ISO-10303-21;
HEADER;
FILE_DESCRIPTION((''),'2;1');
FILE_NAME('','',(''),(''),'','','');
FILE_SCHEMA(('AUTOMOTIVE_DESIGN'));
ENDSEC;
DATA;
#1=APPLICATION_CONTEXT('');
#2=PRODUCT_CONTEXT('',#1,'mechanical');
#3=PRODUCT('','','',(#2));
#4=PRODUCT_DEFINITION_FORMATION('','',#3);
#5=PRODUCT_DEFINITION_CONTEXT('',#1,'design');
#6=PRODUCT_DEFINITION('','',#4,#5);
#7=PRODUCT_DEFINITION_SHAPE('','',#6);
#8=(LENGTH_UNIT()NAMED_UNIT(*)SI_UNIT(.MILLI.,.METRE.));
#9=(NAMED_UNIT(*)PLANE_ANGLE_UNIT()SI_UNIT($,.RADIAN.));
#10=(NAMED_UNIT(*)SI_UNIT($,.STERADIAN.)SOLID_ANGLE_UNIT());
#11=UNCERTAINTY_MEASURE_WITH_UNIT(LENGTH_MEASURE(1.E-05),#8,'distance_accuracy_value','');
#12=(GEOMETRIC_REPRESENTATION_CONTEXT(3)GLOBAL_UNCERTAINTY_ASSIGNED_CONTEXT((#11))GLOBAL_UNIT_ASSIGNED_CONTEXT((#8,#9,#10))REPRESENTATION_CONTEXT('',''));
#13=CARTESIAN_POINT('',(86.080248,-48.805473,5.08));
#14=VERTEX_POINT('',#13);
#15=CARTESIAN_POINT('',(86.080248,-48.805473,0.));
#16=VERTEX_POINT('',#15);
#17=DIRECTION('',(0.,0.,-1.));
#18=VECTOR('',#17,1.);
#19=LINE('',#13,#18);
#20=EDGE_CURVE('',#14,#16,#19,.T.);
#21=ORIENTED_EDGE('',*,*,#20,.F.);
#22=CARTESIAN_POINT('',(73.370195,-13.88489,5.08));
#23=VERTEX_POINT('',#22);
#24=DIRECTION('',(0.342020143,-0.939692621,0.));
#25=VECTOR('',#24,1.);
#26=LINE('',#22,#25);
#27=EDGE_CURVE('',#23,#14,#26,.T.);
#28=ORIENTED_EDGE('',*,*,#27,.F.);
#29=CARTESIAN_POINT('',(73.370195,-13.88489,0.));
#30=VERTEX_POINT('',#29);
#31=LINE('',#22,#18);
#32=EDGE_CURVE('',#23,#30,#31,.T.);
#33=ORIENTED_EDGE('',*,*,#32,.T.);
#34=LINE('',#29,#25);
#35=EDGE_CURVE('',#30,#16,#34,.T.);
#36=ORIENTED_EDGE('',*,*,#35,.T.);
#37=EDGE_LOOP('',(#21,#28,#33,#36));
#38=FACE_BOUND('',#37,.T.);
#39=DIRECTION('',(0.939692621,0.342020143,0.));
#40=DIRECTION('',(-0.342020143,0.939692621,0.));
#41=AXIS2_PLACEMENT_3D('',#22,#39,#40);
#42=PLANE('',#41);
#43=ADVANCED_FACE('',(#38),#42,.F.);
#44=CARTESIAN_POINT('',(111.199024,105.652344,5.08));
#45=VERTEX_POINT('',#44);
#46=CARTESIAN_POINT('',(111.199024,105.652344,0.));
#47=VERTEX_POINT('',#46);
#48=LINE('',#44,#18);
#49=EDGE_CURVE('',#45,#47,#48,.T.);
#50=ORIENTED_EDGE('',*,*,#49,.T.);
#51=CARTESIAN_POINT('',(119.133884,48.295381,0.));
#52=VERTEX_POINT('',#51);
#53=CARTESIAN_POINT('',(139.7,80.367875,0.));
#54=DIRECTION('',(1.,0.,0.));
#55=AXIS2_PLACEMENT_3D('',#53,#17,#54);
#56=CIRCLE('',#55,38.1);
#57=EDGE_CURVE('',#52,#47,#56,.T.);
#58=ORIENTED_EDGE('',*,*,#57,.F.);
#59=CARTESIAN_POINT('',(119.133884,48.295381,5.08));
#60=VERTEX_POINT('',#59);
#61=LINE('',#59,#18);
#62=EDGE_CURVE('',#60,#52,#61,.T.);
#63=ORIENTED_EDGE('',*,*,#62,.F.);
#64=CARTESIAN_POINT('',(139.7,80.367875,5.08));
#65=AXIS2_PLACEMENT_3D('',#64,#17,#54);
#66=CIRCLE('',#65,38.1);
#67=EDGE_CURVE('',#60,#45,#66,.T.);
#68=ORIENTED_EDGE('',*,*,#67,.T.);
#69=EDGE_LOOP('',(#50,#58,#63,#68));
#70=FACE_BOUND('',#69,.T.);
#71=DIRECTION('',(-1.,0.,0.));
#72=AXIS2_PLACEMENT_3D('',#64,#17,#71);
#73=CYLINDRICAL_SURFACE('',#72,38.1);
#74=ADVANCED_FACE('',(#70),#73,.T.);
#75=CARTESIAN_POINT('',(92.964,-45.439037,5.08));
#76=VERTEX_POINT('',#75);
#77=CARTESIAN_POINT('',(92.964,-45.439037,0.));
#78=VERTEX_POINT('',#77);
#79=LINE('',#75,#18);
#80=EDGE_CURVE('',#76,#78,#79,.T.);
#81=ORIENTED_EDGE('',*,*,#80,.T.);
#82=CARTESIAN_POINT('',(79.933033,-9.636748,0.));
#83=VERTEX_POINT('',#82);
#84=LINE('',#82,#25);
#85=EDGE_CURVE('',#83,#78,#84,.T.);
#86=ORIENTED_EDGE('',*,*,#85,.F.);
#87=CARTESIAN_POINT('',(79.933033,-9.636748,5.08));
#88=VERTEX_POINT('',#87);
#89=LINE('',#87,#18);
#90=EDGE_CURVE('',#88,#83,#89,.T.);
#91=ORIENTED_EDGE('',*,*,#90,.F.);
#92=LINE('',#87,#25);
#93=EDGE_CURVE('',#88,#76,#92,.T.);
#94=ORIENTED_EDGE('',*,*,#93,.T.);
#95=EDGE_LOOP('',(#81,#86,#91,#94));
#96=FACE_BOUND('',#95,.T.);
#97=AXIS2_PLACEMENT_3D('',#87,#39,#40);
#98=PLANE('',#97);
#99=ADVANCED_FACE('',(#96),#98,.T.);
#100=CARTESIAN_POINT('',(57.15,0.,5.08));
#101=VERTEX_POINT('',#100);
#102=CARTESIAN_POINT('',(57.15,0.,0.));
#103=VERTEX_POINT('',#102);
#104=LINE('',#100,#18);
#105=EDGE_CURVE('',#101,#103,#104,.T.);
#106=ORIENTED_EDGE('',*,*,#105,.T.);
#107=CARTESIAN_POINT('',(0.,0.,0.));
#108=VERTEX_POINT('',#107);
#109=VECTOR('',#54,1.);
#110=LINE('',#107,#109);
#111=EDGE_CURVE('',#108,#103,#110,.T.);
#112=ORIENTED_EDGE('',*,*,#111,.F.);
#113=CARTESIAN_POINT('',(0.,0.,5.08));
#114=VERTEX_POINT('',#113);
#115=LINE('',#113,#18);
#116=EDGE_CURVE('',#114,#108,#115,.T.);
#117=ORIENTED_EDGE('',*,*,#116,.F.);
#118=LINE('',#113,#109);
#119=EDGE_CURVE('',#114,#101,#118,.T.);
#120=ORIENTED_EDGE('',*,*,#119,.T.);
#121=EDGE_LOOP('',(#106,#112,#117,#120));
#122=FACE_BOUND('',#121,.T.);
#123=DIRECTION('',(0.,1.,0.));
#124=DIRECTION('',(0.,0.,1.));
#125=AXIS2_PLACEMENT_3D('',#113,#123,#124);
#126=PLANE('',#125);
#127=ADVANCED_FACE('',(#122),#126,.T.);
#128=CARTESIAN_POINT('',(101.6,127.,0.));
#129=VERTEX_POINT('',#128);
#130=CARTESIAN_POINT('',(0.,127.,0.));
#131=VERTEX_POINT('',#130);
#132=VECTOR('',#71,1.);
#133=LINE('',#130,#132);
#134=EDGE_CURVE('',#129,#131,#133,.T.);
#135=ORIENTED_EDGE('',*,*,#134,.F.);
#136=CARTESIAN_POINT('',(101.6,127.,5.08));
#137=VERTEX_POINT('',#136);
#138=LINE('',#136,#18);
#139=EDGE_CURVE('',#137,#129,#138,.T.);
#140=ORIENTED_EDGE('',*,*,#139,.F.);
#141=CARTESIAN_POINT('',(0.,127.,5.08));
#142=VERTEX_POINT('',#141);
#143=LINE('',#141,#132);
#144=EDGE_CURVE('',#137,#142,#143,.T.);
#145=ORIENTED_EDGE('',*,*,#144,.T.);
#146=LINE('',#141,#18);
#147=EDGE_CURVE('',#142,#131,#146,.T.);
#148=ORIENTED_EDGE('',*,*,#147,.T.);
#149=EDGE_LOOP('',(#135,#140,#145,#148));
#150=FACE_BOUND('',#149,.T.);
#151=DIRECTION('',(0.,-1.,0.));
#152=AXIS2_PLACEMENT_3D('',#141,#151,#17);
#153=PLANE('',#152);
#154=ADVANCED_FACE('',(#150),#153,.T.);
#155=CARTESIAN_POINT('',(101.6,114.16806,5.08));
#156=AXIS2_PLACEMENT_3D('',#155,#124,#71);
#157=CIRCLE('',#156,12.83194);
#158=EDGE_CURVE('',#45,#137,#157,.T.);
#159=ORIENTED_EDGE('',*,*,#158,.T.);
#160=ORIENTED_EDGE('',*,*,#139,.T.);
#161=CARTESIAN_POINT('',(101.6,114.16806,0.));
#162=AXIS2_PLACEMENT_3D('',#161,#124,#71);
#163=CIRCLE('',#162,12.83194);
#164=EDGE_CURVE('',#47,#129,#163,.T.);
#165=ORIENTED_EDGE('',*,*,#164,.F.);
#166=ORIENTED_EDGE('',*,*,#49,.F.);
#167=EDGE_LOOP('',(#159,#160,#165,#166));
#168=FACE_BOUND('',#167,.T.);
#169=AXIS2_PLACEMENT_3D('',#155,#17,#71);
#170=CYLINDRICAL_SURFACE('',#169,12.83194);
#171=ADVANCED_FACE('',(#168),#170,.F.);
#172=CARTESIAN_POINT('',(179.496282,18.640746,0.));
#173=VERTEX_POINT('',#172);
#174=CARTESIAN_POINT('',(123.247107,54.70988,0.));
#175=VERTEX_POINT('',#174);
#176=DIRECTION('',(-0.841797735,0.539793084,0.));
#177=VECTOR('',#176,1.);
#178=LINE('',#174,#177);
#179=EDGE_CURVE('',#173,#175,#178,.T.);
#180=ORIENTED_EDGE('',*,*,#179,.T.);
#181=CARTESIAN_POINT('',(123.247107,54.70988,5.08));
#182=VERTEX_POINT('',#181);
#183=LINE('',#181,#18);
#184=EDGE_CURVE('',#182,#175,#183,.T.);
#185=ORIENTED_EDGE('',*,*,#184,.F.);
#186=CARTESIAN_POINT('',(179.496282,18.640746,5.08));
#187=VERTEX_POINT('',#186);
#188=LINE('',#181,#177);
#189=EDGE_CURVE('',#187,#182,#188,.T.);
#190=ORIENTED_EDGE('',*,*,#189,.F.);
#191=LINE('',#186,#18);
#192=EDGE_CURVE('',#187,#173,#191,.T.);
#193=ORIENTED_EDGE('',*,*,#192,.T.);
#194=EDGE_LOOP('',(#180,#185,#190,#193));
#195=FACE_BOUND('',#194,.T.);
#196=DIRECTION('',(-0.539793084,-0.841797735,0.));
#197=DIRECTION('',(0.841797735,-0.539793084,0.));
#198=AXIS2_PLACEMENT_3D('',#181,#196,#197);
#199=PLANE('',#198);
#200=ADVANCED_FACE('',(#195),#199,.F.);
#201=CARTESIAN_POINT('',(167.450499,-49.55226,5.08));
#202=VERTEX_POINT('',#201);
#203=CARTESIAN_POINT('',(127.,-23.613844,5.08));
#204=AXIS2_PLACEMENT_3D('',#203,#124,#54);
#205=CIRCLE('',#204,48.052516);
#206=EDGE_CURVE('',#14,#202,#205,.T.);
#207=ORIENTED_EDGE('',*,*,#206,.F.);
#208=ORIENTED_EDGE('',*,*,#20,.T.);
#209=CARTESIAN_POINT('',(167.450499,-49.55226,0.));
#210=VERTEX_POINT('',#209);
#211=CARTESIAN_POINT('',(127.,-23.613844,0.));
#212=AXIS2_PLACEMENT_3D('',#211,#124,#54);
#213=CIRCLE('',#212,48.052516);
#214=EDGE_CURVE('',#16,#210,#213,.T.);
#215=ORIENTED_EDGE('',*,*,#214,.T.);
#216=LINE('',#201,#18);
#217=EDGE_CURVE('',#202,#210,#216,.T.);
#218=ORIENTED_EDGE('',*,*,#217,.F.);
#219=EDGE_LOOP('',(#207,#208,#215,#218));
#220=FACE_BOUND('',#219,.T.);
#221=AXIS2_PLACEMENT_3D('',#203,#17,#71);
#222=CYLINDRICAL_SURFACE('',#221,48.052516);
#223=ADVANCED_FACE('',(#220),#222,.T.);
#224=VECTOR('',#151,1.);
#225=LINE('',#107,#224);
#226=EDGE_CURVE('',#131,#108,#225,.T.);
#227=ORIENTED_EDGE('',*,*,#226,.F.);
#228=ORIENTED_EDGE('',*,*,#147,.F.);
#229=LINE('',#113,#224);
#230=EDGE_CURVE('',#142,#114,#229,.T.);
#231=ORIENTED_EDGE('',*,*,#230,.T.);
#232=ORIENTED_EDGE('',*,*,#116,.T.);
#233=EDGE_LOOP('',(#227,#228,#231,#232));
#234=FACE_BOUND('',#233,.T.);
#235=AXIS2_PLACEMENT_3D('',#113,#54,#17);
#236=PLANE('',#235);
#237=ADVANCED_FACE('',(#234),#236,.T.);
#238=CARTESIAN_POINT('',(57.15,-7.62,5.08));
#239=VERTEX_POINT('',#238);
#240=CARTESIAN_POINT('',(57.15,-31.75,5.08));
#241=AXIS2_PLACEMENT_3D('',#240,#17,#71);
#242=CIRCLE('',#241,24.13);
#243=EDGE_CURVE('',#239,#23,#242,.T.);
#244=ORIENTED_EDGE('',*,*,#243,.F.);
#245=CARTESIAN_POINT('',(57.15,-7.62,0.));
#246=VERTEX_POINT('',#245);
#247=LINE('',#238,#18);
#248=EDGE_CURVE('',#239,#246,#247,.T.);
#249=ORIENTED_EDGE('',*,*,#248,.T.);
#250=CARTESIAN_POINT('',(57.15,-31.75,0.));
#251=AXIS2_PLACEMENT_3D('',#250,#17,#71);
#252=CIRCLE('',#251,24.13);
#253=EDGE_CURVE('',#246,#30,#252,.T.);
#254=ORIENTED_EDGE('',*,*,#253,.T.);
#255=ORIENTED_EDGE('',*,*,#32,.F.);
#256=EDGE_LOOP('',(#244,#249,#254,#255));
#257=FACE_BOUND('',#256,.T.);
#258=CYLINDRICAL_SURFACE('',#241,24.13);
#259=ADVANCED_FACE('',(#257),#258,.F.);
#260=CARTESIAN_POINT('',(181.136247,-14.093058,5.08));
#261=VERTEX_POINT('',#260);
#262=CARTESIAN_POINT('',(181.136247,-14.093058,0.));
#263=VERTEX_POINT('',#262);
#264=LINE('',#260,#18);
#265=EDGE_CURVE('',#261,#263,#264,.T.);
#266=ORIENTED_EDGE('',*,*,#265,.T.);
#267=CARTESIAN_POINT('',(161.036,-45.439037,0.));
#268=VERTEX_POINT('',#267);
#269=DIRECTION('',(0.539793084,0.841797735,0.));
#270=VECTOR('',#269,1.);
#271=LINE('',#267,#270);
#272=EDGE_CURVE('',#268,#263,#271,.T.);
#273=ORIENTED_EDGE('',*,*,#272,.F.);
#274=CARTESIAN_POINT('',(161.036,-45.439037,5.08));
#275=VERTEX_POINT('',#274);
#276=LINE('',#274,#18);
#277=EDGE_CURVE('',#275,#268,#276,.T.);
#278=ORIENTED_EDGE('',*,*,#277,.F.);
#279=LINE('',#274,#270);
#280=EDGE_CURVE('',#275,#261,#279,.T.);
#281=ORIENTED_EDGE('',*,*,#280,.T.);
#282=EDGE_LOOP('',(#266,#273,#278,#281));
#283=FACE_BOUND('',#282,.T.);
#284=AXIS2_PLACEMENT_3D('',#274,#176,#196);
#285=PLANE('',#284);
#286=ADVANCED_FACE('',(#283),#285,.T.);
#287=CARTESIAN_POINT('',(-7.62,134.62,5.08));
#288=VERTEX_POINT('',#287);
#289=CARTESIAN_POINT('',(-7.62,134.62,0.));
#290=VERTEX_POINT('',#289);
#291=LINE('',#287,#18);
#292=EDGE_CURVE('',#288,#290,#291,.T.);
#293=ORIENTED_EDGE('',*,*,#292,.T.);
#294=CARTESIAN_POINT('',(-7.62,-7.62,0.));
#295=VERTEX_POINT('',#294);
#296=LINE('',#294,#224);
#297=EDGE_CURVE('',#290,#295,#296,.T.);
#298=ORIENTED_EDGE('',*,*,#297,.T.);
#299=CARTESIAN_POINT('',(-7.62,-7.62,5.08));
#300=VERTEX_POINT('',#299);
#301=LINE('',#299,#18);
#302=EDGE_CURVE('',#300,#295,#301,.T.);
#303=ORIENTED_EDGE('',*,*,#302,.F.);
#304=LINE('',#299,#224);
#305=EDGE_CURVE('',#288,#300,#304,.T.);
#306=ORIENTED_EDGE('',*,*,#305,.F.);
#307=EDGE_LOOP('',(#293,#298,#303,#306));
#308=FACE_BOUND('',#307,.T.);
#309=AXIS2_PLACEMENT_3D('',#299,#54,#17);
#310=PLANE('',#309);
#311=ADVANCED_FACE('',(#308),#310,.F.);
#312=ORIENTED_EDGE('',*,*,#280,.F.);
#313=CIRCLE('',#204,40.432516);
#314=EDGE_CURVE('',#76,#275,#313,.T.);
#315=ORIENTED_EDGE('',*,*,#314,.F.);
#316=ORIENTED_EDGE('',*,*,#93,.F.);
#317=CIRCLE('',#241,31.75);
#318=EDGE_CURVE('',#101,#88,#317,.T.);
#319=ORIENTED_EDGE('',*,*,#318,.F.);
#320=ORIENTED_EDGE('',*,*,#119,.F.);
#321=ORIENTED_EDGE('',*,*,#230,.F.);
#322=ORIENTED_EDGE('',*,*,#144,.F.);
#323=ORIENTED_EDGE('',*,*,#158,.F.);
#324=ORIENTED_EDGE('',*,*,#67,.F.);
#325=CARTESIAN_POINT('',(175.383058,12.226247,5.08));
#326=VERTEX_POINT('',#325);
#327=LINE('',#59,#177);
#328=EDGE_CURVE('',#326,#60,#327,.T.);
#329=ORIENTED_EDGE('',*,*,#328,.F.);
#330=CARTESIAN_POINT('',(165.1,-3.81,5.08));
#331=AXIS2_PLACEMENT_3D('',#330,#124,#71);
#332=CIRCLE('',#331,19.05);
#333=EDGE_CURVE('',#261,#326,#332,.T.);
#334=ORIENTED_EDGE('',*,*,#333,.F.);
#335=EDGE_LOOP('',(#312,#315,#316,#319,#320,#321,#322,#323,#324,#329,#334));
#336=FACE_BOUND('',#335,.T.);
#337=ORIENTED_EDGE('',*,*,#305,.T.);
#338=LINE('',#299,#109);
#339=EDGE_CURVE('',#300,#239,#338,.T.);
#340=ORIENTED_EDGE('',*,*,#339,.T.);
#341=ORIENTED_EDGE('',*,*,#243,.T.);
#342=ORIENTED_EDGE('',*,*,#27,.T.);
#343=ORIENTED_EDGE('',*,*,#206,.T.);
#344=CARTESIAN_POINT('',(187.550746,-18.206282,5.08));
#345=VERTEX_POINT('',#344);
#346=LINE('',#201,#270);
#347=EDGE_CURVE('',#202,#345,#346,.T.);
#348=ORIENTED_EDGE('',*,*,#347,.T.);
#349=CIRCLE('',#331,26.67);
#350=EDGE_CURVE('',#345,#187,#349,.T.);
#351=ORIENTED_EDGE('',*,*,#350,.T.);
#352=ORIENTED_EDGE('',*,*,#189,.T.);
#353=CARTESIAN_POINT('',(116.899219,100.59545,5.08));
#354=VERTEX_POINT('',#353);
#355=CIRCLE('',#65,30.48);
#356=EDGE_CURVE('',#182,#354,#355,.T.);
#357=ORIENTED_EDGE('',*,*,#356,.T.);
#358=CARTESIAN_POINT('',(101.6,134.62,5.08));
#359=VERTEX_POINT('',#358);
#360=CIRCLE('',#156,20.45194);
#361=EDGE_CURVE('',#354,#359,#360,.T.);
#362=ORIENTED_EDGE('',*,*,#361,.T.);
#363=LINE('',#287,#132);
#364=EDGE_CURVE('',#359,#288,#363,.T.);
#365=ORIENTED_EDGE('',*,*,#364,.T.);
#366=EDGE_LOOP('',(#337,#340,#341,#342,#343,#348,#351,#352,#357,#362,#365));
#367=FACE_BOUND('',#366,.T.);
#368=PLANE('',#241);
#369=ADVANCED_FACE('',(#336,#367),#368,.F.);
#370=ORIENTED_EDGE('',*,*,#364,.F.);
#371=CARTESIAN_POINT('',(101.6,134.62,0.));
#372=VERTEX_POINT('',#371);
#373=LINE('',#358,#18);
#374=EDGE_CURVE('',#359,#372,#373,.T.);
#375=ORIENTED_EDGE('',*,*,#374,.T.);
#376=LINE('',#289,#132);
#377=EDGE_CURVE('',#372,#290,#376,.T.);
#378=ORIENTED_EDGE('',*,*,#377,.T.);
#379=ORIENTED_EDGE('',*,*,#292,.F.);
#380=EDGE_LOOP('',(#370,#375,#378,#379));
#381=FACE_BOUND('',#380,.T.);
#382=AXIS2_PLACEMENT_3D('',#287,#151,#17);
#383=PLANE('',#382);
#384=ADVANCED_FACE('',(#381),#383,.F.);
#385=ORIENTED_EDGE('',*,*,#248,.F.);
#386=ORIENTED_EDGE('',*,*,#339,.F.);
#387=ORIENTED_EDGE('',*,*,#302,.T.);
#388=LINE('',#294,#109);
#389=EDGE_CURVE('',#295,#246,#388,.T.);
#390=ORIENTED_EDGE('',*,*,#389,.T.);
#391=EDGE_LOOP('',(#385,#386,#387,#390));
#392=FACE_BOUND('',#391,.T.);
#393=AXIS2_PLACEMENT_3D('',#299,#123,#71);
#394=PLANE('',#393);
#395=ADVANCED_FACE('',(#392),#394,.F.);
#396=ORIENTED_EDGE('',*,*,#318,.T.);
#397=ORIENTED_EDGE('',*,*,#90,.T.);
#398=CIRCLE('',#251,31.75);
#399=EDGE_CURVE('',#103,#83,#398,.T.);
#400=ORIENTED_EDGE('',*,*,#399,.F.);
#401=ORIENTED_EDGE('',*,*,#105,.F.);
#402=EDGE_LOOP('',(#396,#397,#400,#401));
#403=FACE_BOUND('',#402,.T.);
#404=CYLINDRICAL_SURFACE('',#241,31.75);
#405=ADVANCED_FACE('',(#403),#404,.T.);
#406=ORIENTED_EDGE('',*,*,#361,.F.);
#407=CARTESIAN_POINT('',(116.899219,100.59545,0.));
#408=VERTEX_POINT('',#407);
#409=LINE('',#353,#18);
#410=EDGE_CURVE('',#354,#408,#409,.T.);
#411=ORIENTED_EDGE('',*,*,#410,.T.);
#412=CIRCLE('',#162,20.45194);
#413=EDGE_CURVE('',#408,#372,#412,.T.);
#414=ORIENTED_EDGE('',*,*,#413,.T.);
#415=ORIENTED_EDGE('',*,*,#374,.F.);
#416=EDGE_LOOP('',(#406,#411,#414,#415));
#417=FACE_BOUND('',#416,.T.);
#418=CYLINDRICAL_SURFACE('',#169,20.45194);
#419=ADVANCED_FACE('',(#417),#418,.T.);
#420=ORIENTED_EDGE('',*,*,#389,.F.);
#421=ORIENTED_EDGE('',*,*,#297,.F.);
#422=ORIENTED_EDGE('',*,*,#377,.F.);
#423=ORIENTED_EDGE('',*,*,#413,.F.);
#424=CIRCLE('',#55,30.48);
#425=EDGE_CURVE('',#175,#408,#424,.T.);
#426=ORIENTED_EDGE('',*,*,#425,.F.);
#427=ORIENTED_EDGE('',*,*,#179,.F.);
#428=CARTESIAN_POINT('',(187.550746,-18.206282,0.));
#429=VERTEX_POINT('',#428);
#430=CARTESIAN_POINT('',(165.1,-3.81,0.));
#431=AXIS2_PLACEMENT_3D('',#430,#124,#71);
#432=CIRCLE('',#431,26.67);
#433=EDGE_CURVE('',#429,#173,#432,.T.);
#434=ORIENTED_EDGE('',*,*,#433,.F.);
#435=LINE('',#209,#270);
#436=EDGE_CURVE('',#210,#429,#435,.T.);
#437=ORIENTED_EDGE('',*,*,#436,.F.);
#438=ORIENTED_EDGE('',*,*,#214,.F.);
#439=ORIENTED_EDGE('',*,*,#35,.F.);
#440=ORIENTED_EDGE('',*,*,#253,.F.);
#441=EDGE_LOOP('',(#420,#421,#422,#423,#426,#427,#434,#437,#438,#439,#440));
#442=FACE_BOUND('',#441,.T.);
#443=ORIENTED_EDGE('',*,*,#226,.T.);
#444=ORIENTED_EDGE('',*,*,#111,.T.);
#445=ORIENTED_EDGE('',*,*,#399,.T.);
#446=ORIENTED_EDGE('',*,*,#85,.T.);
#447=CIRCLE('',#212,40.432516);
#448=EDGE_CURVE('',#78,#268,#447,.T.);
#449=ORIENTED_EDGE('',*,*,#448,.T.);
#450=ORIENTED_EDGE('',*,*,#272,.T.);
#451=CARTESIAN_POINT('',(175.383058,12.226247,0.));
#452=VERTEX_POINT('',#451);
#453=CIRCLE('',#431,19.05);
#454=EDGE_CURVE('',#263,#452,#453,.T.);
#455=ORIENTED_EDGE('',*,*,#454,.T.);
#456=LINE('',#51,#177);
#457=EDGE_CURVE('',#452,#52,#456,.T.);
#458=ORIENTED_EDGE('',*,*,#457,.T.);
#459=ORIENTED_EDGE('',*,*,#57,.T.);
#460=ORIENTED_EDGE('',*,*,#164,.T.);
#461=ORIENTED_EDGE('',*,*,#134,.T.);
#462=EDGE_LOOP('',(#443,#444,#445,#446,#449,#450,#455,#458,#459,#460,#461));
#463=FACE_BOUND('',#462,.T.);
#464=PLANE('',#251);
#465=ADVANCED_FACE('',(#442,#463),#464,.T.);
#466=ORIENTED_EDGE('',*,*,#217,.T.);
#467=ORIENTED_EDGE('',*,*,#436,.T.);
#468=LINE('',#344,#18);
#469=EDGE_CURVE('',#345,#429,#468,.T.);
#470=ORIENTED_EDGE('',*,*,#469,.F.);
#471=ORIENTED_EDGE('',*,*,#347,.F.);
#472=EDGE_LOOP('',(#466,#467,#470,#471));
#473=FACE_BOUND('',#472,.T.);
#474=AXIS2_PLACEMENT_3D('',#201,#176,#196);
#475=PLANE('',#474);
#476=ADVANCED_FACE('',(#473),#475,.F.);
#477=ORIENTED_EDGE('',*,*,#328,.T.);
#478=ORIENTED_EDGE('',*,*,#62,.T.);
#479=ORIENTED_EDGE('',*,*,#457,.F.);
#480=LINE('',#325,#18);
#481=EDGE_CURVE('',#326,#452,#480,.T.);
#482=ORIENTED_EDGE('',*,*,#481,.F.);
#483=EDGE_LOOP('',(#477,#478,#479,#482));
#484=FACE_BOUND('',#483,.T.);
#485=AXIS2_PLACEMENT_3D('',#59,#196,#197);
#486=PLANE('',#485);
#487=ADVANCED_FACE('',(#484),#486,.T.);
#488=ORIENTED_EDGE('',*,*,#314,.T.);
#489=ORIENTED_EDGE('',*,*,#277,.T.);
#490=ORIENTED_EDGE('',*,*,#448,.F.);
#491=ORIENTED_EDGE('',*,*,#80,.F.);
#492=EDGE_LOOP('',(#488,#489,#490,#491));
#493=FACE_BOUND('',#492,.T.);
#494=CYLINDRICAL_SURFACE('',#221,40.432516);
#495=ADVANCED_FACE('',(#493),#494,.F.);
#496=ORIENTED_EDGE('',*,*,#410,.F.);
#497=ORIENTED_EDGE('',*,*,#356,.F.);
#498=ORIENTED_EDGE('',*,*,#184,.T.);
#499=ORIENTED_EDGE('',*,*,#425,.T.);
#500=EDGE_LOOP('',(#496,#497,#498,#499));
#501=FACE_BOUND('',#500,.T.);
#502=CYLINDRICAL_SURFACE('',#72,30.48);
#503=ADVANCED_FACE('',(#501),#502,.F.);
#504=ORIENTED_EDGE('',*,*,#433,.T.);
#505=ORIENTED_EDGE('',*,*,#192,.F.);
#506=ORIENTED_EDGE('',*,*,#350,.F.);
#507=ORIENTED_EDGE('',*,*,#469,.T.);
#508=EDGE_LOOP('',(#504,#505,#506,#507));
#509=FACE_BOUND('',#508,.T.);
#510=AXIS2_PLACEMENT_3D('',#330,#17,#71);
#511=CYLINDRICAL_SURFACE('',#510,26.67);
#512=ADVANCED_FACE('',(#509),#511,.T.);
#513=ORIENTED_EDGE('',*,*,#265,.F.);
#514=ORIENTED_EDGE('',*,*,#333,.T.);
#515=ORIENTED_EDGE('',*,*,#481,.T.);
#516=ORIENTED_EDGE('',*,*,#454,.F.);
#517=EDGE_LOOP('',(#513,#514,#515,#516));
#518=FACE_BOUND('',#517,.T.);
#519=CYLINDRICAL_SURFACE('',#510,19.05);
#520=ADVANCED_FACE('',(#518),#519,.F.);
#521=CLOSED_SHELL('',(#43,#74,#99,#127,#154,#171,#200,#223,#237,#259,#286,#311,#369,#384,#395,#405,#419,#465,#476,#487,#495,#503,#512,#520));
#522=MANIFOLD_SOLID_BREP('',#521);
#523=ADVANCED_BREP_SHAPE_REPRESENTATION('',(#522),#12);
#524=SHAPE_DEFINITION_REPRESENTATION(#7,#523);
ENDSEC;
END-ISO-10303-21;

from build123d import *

# Parameters (mm, degrees)
BOSS_EXTRUDE1_DEPTH = 5.08


with BuildPart() as part:
    # Sketch1 → Boss-Extrude1 (new body)
    with BuildSketch(Plane.XY):
        with BuildLine():
            Line((-7.62, -7.62), (-7.62, 134.62))
            Line((-7.62, 134.62), (101.6, 134.62))
            ThreePointArc((101.6, 134.62), (120.252989831, 122.555420822), (116.89921922, 100.595449896))
            ThreePointArc((116.89921922, 100.595449896), (109.507548694, 76.190999841), (123.247106812, 54.709879795))
            Line((123.247106812, 54.709879795), (179.49628154, 18.640745596))
            ThreePointArc((179.49628154, 18.640745596), (191.154782754, 1.885366153), (187.550745596, -18.20628154))
            Line((187.550745596, -18.20628154), (167.450498742, -49.552259826))
            ThreePointArc((167.450498742, -49.552259826), (126.559009674, -71.664336239), (86.0802479, -48.805472603))
            Line((86.0802479, -48.805472603), (73.370195116, -13.884889578))
            ThreePointArc((73.370195116, -13.884889578), (65.844014766, -9.240646228), (57.15, -7.62))
            Line((57.15, -7.62), (-7.62, -7.62))
        make_face()
        with BuildLine():
            Line((0, 0), (0, 127))
            Line((0, 127), (101.6, 127))
            ThreePointArc((101.6, 127), (113.303244129, 119.430451273), (111.199024024, 105.65234368))
            ThreePointArc((111.199024024, 105.65234368), (101.959435867, 75.14678111), (119.133883514, 48.295381054))
            Line((119.133883514, 48.295381054), (175.383058243, 12.226246854))
            ThreePointArc((175.383058243, 12.226246854), (183.71055911, 0.258118681), (181.136246854, -14.093058243))
            Line((181.136246854, -14.093058243), (161.036, -45.439036529))
            ThreePointArc((161.036, -45.439036529), (127, -64.046359823), (92.964, -45.439036529))
            Line((92.964, -45.439036529), (79.933032539, -9.636747677))
            ThreePointArc((79.933032539, -9.636747677), (69.518644605, -2.508263892), (57.15, 0))
            Line((57.15, 0), (0, 0))
        make_face(mode=Mode.SUBTRACT)
    extrude(amount=BOSS_EXTRUDE1_DEPTH)


solid = part.part
